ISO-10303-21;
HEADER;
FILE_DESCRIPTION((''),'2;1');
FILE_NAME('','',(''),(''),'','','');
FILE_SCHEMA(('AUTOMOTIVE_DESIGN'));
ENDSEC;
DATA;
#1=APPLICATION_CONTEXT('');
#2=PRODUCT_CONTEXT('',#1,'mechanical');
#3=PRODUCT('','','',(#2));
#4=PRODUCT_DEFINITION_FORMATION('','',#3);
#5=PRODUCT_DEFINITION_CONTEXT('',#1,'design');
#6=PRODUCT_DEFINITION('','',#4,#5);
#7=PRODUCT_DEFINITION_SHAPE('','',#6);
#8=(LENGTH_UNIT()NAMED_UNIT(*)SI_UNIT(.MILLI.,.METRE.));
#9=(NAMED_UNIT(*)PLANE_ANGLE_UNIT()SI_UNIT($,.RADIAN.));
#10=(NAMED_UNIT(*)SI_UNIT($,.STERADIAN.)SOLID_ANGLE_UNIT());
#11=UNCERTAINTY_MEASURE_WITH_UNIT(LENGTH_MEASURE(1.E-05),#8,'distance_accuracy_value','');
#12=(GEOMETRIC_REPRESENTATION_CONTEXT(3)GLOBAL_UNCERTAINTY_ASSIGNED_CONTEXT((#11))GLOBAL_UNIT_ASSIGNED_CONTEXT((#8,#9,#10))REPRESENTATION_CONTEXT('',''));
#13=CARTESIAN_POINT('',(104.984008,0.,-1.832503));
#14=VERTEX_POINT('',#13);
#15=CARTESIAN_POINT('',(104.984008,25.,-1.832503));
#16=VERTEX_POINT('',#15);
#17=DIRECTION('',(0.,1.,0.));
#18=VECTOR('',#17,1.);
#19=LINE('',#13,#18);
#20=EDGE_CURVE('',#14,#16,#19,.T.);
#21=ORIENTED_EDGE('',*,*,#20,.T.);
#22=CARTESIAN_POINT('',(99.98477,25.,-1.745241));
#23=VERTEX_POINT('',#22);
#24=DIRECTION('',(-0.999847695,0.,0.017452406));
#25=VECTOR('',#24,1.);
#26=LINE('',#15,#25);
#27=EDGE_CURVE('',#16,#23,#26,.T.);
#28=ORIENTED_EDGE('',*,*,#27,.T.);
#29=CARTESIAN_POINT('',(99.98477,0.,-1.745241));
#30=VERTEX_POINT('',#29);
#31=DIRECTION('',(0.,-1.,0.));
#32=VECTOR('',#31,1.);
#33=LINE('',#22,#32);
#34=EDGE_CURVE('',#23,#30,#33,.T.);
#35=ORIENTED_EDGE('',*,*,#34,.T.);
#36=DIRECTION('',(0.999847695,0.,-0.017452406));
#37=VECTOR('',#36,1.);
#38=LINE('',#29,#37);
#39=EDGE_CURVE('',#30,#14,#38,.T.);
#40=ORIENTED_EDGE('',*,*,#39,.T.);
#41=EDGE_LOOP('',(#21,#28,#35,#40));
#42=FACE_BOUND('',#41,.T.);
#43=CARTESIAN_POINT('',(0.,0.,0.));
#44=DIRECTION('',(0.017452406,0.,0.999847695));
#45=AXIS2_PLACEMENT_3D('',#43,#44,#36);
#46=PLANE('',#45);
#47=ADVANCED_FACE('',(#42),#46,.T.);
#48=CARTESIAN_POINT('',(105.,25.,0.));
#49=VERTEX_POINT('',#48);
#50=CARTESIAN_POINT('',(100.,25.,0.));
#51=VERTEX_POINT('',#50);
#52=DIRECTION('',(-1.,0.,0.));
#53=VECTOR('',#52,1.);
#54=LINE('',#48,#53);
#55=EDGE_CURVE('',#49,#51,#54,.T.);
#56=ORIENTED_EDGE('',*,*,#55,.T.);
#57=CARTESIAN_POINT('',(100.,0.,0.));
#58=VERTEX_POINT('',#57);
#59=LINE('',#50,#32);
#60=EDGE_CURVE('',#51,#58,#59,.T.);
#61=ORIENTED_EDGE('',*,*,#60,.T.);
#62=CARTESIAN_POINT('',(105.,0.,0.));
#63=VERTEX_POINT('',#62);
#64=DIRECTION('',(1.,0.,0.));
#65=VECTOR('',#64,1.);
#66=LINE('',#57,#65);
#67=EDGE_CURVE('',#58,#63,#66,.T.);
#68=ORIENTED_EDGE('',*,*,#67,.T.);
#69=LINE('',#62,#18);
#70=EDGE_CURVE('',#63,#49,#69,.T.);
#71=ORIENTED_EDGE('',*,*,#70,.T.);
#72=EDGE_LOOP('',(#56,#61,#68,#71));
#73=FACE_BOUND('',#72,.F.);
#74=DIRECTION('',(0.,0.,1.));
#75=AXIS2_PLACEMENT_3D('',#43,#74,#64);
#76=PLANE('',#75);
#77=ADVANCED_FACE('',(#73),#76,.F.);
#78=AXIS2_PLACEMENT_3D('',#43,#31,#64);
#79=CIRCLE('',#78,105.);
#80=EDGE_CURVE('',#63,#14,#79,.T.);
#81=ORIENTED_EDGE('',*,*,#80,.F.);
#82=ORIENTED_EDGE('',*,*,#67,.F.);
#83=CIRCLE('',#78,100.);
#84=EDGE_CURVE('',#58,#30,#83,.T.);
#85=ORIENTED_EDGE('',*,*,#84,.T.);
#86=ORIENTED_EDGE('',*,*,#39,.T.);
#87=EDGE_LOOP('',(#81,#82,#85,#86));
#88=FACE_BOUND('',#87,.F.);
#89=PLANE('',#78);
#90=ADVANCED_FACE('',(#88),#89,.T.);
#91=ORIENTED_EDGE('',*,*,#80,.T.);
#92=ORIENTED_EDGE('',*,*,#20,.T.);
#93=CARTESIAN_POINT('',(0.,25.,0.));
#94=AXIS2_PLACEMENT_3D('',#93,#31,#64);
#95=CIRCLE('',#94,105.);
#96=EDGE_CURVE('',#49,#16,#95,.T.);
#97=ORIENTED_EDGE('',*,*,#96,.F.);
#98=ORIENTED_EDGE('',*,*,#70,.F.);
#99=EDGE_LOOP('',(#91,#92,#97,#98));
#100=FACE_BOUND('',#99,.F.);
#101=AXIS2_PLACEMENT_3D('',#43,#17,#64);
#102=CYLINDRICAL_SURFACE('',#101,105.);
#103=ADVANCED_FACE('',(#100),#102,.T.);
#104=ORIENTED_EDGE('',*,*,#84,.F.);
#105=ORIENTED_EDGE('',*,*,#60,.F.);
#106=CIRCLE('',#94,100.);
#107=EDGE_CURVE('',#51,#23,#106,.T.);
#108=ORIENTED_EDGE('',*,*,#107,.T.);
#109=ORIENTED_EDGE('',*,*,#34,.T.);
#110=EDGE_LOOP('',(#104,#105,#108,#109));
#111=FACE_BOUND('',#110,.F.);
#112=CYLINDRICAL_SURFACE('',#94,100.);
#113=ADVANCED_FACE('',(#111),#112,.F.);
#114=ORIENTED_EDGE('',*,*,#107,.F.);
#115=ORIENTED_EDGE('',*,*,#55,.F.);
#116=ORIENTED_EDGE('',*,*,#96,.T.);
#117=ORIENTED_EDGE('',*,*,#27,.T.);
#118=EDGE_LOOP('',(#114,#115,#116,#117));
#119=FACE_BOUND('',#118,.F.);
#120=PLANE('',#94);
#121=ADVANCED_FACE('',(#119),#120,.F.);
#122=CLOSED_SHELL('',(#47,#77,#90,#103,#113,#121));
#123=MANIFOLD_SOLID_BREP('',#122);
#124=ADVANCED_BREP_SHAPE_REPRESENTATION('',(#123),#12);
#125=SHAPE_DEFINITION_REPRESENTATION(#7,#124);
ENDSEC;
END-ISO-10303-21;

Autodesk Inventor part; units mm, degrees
ref_plane "YZ Plane" through (0, 0, 0) normal (1, 0, 0) x (0, 1, 0)
ref_plane "XZ Plane" through (0, 0, 0) normal (0, 1, 0) x (-1, 0, 0)
ref_plane "XY Plane" through (0, 0, 0) normal (0, 0, 1) x (1, 0, 0)
sketch "Sketch1" plane through (0, 0, 0) normal (0, 0, 1) x (1, 0, 0)
  line L0 (0, 0) -> (0, 18.9343)
  line L1 (100, 0) -> (105, 0)
  line L2 (105, 0) -> (105, 25)
  line L3 (105, 25) -> (100, 25)
  line L4 (100, 25) -> (100, 0)
  dimension "d0" = 5
  dimension "d1" = 200
  dimension "d2" = 25
revolve "Revolution1" add sketch "Sketch1" angle 359 about axis through (0, 0, 0) along (0, -1, 0)
sketch "Sketch2" plane through (0, 0, 0) normal (1, 0, 0) x (0, 1, 0)
  line L0 (25, 105) -> (25, -105) projected
  line L1 (0, 105) -> (0, -105) projected
  circle A0 centre (12.5, 0) radius 5
  point P0 (0, 0)
  point P1 (25, 0)
  point P2 (25, -1.8325)
  point P3 (0, -1.8325)
  dimension "d4" = 10
  dimension "d5" = 210
  dimension "d6" = 25
  dimension "d7" = 12.5
  dimension "d8" = 105
extrude "Extrusion1" [suppressed]
equation "\"d7\" = 0.5 * d6"
equation "\"d8\" = 0.5 * d5"
equation "\"BendRadius\" = Thickness"
equation "\"BendReliefWidth\" = Thickness"
equation "\"BendReliefDepth\" = 0.5 * Thickness"
equation "\"TransitionRadius\" = BendRadius"
equation "\"JacobiRadiusSize\" = BendRadius"
equation "\"GapSize\" = Thickness"
equation "\"Thickness\" = 5"
properties part number "valset ring" material "S235JR"
